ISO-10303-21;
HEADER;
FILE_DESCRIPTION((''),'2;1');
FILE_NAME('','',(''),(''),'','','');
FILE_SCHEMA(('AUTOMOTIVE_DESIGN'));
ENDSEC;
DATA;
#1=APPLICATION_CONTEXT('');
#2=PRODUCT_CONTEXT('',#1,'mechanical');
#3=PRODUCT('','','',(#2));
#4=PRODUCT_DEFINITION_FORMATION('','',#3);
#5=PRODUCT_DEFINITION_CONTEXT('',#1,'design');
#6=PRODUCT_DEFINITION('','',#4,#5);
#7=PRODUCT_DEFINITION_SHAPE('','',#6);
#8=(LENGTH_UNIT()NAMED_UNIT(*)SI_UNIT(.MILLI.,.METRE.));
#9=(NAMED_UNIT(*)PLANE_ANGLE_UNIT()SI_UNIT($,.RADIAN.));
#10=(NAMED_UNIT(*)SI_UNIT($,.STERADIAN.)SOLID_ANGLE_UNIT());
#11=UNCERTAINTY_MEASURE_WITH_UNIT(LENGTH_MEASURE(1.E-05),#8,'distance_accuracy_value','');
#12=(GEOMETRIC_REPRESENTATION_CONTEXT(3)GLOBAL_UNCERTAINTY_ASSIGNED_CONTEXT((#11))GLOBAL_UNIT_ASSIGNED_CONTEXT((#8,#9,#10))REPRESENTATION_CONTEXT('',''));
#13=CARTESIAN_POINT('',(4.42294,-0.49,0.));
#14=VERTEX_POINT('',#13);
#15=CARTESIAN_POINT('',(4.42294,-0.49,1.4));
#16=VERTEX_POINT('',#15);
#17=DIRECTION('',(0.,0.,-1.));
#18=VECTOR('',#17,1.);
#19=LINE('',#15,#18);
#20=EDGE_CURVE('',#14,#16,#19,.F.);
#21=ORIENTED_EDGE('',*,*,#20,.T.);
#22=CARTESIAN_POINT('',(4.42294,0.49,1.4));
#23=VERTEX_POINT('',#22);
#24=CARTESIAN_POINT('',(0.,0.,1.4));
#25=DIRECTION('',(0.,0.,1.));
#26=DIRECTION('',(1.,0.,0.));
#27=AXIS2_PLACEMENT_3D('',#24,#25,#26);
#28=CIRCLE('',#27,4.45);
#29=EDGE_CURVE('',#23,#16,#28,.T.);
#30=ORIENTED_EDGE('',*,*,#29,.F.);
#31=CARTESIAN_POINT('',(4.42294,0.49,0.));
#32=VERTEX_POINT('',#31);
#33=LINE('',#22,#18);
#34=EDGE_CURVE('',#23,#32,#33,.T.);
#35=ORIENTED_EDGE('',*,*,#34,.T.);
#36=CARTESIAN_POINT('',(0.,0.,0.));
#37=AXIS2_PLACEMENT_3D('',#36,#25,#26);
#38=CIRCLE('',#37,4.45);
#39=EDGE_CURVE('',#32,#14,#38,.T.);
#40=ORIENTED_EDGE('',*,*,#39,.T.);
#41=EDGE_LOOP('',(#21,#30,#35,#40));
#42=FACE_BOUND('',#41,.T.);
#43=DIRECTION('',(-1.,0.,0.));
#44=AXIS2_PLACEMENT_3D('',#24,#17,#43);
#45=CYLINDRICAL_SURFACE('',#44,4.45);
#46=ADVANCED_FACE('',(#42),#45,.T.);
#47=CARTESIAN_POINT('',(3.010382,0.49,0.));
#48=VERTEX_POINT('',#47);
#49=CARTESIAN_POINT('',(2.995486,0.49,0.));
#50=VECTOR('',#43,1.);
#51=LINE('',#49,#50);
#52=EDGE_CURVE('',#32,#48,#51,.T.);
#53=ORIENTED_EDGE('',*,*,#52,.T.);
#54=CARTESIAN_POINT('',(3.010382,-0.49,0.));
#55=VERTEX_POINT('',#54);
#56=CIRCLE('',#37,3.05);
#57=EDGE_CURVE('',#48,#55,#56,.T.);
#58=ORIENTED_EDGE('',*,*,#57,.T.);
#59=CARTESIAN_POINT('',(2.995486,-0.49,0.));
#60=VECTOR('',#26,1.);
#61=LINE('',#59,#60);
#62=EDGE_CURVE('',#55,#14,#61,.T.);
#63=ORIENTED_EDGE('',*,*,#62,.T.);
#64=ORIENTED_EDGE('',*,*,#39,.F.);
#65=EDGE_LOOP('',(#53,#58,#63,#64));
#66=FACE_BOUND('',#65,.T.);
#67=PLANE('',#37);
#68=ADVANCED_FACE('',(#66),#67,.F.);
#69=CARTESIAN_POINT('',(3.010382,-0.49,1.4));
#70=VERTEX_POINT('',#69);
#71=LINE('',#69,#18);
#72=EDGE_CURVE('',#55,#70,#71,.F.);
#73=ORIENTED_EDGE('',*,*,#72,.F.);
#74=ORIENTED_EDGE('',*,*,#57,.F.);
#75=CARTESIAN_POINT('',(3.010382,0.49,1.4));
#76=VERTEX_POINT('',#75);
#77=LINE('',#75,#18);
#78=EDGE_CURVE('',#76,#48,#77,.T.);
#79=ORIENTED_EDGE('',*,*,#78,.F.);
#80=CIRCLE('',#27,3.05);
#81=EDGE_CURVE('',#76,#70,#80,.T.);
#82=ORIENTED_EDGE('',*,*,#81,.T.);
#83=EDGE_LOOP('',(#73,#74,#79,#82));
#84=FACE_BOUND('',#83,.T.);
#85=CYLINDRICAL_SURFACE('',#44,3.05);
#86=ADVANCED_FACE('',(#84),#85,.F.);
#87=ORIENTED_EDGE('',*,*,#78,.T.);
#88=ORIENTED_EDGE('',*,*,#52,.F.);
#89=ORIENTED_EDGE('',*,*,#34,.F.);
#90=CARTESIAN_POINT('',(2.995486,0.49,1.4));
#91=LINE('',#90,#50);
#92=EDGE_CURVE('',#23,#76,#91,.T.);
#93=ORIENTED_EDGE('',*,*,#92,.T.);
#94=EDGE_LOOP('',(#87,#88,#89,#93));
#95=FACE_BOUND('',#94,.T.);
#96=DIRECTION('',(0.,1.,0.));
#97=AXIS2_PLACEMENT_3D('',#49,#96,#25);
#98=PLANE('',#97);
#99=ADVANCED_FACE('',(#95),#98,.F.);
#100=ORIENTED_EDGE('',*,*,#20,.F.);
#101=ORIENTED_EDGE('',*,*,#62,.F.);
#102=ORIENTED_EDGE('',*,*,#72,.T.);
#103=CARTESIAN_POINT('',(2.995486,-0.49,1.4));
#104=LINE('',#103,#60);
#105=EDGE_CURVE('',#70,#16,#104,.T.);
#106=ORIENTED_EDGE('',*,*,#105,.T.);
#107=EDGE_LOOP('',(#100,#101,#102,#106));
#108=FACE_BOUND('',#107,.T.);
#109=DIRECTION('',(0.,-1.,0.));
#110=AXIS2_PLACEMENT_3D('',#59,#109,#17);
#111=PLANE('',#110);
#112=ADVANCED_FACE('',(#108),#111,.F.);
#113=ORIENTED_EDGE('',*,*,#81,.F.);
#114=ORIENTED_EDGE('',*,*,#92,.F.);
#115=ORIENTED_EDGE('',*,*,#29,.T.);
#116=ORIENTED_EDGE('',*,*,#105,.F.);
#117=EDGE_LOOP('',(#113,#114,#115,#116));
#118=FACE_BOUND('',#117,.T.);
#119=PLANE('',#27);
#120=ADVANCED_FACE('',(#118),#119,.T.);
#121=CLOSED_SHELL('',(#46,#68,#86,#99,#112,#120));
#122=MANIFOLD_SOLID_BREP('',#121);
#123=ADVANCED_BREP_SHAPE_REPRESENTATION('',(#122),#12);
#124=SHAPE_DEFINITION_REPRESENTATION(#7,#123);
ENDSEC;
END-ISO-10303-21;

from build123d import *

# Parameters (mm, degrees)
SKETCH_1_R          = 4.45
SKETCH_1_R_2        = 3.05
EXTRUDE_1_DEPTH     = 1.4
SKETCH_2_W          = 1.528827716
SKETCH_2_H          = 0.98
CUT_EXTRUDE_1_DEPTH = 7.447092368


with BuildPart() as part:
    # Эскиз1 → Вытянуть1 (new body)
    with BuildSketch(Plane.XY):
        Circle(SKETCH_1_R)
        Circle(SKETCH_1_R_2, mode=Mode.SUBTRACT)
    extrude(amount=EXTRUDE_1_DEPTH)

    # Эскиз2 → Вырез-Вытянуть1 (cut, through all)
    with BuildSketch(Plane.XY.offset(1.4)):
        with Locations((3.759899488, 0)):
            Rectangle(SKETCH_2_W, SKETCH_2_H)
    extrude(amount=-CUT_EXTRUDE_1_DEPTH, mode=Mode.SUBTRACT)


solid = part.part
